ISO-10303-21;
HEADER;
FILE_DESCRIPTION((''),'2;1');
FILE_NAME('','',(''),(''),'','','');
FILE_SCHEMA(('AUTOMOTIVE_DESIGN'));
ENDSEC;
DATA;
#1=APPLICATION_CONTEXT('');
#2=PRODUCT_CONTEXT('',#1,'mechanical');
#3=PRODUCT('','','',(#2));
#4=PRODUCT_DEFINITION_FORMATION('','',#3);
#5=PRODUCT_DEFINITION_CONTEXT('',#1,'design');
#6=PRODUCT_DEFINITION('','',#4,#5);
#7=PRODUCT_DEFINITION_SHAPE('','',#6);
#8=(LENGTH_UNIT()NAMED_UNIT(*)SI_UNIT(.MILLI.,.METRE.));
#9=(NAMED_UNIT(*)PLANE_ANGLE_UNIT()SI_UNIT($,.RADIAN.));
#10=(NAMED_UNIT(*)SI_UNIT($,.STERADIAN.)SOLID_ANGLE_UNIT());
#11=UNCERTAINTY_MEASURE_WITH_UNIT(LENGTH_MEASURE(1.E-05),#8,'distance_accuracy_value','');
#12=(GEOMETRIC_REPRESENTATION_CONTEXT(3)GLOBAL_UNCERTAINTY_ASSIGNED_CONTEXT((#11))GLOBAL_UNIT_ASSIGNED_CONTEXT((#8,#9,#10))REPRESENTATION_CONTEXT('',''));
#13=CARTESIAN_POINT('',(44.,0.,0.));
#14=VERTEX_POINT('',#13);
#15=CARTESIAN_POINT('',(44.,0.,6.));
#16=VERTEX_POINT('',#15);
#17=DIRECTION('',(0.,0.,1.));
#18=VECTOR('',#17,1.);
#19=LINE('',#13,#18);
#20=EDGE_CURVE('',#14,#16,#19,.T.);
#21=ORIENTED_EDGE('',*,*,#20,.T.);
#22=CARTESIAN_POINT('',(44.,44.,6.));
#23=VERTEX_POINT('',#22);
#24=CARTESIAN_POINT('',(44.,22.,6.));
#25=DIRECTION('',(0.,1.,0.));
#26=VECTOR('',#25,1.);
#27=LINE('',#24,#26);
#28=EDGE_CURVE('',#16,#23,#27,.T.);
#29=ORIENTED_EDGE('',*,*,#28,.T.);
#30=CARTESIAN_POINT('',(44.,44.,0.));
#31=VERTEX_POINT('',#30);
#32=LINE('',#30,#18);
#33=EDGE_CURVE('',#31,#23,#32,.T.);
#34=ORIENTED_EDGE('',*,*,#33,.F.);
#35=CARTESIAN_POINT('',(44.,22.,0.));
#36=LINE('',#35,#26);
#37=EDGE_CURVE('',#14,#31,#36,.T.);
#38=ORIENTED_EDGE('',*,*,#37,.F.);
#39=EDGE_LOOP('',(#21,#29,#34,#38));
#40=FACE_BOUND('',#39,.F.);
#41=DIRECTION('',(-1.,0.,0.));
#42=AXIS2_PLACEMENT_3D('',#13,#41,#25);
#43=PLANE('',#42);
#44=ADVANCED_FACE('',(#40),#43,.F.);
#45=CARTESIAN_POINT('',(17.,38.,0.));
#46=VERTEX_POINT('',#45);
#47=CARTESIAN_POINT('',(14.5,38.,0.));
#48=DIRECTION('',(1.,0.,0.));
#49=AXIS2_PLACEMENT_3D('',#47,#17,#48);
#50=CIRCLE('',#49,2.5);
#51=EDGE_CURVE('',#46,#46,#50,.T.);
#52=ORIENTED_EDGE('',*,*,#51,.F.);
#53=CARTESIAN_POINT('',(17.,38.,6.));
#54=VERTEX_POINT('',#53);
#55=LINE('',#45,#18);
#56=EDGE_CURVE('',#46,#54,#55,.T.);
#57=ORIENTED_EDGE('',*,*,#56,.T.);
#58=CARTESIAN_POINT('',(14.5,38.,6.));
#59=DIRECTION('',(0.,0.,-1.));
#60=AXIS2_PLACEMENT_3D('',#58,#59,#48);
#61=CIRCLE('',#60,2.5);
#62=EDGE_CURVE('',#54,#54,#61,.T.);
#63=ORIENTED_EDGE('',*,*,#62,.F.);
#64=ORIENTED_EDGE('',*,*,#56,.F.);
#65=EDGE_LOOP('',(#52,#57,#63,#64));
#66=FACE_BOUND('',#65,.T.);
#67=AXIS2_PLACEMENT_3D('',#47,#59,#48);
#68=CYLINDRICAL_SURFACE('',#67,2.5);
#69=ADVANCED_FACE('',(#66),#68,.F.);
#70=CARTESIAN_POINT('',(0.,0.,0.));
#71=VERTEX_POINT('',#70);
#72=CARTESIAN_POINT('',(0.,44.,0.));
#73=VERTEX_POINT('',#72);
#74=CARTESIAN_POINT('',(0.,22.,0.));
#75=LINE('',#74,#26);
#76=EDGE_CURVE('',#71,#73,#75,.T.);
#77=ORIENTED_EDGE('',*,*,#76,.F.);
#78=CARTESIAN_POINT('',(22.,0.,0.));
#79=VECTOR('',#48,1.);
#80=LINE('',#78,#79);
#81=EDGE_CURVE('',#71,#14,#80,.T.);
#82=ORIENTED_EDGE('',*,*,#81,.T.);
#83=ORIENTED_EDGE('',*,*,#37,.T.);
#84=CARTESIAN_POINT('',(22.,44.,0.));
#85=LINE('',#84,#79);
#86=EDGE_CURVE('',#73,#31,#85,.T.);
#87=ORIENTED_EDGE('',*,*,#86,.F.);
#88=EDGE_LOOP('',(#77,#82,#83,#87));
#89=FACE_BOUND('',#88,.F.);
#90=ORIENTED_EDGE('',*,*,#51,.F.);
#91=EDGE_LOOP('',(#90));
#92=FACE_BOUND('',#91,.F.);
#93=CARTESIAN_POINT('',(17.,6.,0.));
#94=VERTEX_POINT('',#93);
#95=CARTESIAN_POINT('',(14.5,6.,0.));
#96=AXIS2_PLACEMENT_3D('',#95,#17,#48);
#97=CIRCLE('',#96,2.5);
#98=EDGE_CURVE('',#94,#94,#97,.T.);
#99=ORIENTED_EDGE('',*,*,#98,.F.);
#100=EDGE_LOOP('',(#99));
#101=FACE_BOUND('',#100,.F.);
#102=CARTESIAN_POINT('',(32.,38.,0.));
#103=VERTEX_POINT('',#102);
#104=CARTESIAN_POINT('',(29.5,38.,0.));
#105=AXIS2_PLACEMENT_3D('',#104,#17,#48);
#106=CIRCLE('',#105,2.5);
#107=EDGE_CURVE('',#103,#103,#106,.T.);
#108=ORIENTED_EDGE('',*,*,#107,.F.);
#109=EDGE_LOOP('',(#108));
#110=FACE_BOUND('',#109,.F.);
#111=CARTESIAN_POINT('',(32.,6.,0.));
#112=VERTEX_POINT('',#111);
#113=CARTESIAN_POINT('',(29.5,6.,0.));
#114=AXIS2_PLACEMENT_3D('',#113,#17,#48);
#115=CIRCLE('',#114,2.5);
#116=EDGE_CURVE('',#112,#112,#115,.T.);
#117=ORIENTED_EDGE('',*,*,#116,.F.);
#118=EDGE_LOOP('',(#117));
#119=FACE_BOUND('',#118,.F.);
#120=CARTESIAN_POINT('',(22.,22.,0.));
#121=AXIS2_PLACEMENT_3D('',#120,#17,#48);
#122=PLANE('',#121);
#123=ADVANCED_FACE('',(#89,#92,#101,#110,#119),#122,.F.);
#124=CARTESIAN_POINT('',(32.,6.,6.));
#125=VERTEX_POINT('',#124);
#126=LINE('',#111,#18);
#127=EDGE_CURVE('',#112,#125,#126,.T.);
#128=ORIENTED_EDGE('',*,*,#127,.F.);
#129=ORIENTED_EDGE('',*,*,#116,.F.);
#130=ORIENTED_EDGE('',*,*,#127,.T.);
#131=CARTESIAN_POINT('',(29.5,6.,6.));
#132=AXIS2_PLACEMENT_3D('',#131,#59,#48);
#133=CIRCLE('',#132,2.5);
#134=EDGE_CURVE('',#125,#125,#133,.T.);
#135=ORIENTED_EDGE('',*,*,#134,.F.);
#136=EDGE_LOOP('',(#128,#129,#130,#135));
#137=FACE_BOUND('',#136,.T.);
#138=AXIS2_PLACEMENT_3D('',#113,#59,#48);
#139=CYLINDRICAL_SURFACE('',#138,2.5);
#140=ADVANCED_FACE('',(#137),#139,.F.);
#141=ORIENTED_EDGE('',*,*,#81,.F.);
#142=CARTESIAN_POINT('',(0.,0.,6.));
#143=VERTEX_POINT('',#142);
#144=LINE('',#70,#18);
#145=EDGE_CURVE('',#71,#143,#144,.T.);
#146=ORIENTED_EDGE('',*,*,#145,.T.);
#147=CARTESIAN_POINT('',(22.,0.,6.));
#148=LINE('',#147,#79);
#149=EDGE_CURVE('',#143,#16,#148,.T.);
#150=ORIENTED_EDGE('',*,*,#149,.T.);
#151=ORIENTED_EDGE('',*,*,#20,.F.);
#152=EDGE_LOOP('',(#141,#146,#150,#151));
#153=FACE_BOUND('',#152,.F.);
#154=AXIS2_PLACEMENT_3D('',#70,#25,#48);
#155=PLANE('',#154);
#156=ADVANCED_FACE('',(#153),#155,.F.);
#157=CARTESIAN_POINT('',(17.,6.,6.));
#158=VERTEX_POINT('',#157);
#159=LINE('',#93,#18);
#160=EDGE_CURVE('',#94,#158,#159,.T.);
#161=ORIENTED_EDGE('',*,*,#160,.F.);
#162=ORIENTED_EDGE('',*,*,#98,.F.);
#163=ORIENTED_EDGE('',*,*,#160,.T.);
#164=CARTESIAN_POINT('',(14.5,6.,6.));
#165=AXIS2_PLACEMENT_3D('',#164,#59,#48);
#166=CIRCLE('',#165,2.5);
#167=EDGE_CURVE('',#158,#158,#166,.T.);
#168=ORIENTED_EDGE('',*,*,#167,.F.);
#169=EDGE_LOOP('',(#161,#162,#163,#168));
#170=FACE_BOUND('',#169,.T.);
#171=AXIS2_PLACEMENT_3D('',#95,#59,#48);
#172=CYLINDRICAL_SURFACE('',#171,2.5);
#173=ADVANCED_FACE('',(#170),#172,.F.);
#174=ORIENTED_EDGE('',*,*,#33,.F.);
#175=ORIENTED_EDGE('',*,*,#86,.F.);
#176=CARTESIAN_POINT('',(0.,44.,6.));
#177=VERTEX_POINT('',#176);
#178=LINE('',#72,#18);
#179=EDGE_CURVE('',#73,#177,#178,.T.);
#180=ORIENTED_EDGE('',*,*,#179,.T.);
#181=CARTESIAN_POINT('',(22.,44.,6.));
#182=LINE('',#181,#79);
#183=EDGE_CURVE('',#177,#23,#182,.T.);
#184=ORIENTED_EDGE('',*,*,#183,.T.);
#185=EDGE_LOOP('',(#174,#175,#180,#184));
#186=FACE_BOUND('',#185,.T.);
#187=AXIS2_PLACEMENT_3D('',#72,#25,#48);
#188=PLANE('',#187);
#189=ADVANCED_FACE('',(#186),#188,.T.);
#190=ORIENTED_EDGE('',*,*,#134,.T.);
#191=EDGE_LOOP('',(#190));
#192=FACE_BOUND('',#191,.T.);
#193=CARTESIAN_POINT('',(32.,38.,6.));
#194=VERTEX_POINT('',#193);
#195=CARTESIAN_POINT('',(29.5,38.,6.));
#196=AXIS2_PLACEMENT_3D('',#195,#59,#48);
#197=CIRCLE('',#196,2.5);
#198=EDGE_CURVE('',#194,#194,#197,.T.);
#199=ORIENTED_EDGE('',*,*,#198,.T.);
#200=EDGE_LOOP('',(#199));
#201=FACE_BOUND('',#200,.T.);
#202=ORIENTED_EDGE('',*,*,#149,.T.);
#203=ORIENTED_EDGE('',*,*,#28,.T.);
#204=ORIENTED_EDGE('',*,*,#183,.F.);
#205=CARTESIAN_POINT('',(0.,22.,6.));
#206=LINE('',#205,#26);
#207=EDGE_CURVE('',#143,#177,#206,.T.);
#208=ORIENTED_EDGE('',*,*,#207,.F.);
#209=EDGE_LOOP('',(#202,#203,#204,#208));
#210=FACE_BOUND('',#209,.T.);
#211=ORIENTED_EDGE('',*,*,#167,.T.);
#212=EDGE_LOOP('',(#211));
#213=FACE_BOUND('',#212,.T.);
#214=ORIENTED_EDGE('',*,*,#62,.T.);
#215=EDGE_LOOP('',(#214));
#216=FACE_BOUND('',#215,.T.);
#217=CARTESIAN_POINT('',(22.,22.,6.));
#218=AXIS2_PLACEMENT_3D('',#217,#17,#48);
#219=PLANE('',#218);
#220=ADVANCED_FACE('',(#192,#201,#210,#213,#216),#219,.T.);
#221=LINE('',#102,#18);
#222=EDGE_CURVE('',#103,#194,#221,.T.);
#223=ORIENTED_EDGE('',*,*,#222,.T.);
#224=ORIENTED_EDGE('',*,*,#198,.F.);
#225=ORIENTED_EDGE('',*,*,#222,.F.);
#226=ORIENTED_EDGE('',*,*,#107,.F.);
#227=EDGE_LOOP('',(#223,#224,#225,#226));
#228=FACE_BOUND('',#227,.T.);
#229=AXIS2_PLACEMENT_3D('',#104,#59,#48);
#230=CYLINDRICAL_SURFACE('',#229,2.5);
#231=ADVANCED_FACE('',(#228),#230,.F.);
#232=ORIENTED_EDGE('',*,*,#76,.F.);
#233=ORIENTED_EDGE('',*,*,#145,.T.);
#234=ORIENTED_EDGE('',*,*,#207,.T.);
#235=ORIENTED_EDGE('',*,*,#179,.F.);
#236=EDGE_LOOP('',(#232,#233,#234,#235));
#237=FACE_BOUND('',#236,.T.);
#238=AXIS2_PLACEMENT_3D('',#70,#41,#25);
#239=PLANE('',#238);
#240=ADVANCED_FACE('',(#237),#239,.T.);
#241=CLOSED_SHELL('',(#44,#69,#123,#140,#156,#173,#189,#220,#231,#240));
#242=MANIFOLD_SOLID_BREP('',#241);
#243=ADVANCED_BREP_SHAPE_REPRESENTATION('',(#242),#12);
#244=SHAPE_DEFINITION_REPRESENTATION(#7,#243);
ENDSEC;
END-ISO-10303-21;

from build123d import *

# Parameters (mm, degrees)
CYLINDER002_R     = 2.5
CYLINDER002_DEPTH = 10
CYLINDER003_R     = 2.5
CYLINDER003_DEPTH = 10
CYLINDER001_R     = 2.5
CYLINDER001_DEPTH = 10
CYLINDER_R        = 2.5
CYLINDER_DEPTH    = 10
BOX_W             = 44
BOX_H             = 44
BOX_DEPTH         = 6


with BuildPart() as cylinder002:
    # Cylinder002 → Cylinder002 (new body)
    with BuildSketch(Plane(origin=(14.5, 38, 0), x_dir=(1, 0, 0), z_dir=(0, 0, 1))):
        Circle(CYLINDER002_R)
    extrude(amount=CYLINDER002_DEPTH)


with BuildPart() as cylinder003:
    # Cylinder003 → Cylinder003 (new body)
    with BuildSketch(Plane(origin=(29.5, 38, 0), x_dir=(1, 0, 0), z_dir=(0, 0, 1))):
        Circle(CYLINDER003_R)
    extrude(amount=CYLINDER003_DEPTH)


with BuildPart() as cylinder001:
    # Cylinder001 → Cylinder001 (new body)
    with BuildSketch(Plane(origin=(29.5, 6, 0), x_dir=(1, 0, 0), z_dir=(0, 0, 1))):
        Circle(CYLINDER001_R)
    extrude(amount=CYLINDER001_DEPTH)


with BuildPart() as cylinder:
    # Cylinder → Cylinder (new body)
    with BuildSketch(Plane(origin=(14.5, 6, 0), x_dir=(1, 0, 0), z_dir=(0, 0, 1))):
        Circle(CYLINDER_R)
    extrude(amount=CYLINDER_DEPTH)


with BuildPart() as cut003:
    # Box → Box (new body)
    with BuildSketch(Plane.XY):
        with Locations((22, 22)):
            Rectangle(BOX_W, BOX_H)
    extrude(amount=BOX_DEPTH)

    # Cut: cut Cylinder
    add(cylinder.part, mode=Mode.SUBTRACT)

    # Cut001: cut Cylinder001
    add(cylinder001.part, mode=Mode.SUBTRACT)

    # Cut002: cut Cylinder003
    add(cylinder003.part, mode=Mode.SUBTRACT)

    # Cut003: cut Cylinder002
    add(cylinder002.part, mode=Mode.SUBTRACT)


solid = cut003.part
